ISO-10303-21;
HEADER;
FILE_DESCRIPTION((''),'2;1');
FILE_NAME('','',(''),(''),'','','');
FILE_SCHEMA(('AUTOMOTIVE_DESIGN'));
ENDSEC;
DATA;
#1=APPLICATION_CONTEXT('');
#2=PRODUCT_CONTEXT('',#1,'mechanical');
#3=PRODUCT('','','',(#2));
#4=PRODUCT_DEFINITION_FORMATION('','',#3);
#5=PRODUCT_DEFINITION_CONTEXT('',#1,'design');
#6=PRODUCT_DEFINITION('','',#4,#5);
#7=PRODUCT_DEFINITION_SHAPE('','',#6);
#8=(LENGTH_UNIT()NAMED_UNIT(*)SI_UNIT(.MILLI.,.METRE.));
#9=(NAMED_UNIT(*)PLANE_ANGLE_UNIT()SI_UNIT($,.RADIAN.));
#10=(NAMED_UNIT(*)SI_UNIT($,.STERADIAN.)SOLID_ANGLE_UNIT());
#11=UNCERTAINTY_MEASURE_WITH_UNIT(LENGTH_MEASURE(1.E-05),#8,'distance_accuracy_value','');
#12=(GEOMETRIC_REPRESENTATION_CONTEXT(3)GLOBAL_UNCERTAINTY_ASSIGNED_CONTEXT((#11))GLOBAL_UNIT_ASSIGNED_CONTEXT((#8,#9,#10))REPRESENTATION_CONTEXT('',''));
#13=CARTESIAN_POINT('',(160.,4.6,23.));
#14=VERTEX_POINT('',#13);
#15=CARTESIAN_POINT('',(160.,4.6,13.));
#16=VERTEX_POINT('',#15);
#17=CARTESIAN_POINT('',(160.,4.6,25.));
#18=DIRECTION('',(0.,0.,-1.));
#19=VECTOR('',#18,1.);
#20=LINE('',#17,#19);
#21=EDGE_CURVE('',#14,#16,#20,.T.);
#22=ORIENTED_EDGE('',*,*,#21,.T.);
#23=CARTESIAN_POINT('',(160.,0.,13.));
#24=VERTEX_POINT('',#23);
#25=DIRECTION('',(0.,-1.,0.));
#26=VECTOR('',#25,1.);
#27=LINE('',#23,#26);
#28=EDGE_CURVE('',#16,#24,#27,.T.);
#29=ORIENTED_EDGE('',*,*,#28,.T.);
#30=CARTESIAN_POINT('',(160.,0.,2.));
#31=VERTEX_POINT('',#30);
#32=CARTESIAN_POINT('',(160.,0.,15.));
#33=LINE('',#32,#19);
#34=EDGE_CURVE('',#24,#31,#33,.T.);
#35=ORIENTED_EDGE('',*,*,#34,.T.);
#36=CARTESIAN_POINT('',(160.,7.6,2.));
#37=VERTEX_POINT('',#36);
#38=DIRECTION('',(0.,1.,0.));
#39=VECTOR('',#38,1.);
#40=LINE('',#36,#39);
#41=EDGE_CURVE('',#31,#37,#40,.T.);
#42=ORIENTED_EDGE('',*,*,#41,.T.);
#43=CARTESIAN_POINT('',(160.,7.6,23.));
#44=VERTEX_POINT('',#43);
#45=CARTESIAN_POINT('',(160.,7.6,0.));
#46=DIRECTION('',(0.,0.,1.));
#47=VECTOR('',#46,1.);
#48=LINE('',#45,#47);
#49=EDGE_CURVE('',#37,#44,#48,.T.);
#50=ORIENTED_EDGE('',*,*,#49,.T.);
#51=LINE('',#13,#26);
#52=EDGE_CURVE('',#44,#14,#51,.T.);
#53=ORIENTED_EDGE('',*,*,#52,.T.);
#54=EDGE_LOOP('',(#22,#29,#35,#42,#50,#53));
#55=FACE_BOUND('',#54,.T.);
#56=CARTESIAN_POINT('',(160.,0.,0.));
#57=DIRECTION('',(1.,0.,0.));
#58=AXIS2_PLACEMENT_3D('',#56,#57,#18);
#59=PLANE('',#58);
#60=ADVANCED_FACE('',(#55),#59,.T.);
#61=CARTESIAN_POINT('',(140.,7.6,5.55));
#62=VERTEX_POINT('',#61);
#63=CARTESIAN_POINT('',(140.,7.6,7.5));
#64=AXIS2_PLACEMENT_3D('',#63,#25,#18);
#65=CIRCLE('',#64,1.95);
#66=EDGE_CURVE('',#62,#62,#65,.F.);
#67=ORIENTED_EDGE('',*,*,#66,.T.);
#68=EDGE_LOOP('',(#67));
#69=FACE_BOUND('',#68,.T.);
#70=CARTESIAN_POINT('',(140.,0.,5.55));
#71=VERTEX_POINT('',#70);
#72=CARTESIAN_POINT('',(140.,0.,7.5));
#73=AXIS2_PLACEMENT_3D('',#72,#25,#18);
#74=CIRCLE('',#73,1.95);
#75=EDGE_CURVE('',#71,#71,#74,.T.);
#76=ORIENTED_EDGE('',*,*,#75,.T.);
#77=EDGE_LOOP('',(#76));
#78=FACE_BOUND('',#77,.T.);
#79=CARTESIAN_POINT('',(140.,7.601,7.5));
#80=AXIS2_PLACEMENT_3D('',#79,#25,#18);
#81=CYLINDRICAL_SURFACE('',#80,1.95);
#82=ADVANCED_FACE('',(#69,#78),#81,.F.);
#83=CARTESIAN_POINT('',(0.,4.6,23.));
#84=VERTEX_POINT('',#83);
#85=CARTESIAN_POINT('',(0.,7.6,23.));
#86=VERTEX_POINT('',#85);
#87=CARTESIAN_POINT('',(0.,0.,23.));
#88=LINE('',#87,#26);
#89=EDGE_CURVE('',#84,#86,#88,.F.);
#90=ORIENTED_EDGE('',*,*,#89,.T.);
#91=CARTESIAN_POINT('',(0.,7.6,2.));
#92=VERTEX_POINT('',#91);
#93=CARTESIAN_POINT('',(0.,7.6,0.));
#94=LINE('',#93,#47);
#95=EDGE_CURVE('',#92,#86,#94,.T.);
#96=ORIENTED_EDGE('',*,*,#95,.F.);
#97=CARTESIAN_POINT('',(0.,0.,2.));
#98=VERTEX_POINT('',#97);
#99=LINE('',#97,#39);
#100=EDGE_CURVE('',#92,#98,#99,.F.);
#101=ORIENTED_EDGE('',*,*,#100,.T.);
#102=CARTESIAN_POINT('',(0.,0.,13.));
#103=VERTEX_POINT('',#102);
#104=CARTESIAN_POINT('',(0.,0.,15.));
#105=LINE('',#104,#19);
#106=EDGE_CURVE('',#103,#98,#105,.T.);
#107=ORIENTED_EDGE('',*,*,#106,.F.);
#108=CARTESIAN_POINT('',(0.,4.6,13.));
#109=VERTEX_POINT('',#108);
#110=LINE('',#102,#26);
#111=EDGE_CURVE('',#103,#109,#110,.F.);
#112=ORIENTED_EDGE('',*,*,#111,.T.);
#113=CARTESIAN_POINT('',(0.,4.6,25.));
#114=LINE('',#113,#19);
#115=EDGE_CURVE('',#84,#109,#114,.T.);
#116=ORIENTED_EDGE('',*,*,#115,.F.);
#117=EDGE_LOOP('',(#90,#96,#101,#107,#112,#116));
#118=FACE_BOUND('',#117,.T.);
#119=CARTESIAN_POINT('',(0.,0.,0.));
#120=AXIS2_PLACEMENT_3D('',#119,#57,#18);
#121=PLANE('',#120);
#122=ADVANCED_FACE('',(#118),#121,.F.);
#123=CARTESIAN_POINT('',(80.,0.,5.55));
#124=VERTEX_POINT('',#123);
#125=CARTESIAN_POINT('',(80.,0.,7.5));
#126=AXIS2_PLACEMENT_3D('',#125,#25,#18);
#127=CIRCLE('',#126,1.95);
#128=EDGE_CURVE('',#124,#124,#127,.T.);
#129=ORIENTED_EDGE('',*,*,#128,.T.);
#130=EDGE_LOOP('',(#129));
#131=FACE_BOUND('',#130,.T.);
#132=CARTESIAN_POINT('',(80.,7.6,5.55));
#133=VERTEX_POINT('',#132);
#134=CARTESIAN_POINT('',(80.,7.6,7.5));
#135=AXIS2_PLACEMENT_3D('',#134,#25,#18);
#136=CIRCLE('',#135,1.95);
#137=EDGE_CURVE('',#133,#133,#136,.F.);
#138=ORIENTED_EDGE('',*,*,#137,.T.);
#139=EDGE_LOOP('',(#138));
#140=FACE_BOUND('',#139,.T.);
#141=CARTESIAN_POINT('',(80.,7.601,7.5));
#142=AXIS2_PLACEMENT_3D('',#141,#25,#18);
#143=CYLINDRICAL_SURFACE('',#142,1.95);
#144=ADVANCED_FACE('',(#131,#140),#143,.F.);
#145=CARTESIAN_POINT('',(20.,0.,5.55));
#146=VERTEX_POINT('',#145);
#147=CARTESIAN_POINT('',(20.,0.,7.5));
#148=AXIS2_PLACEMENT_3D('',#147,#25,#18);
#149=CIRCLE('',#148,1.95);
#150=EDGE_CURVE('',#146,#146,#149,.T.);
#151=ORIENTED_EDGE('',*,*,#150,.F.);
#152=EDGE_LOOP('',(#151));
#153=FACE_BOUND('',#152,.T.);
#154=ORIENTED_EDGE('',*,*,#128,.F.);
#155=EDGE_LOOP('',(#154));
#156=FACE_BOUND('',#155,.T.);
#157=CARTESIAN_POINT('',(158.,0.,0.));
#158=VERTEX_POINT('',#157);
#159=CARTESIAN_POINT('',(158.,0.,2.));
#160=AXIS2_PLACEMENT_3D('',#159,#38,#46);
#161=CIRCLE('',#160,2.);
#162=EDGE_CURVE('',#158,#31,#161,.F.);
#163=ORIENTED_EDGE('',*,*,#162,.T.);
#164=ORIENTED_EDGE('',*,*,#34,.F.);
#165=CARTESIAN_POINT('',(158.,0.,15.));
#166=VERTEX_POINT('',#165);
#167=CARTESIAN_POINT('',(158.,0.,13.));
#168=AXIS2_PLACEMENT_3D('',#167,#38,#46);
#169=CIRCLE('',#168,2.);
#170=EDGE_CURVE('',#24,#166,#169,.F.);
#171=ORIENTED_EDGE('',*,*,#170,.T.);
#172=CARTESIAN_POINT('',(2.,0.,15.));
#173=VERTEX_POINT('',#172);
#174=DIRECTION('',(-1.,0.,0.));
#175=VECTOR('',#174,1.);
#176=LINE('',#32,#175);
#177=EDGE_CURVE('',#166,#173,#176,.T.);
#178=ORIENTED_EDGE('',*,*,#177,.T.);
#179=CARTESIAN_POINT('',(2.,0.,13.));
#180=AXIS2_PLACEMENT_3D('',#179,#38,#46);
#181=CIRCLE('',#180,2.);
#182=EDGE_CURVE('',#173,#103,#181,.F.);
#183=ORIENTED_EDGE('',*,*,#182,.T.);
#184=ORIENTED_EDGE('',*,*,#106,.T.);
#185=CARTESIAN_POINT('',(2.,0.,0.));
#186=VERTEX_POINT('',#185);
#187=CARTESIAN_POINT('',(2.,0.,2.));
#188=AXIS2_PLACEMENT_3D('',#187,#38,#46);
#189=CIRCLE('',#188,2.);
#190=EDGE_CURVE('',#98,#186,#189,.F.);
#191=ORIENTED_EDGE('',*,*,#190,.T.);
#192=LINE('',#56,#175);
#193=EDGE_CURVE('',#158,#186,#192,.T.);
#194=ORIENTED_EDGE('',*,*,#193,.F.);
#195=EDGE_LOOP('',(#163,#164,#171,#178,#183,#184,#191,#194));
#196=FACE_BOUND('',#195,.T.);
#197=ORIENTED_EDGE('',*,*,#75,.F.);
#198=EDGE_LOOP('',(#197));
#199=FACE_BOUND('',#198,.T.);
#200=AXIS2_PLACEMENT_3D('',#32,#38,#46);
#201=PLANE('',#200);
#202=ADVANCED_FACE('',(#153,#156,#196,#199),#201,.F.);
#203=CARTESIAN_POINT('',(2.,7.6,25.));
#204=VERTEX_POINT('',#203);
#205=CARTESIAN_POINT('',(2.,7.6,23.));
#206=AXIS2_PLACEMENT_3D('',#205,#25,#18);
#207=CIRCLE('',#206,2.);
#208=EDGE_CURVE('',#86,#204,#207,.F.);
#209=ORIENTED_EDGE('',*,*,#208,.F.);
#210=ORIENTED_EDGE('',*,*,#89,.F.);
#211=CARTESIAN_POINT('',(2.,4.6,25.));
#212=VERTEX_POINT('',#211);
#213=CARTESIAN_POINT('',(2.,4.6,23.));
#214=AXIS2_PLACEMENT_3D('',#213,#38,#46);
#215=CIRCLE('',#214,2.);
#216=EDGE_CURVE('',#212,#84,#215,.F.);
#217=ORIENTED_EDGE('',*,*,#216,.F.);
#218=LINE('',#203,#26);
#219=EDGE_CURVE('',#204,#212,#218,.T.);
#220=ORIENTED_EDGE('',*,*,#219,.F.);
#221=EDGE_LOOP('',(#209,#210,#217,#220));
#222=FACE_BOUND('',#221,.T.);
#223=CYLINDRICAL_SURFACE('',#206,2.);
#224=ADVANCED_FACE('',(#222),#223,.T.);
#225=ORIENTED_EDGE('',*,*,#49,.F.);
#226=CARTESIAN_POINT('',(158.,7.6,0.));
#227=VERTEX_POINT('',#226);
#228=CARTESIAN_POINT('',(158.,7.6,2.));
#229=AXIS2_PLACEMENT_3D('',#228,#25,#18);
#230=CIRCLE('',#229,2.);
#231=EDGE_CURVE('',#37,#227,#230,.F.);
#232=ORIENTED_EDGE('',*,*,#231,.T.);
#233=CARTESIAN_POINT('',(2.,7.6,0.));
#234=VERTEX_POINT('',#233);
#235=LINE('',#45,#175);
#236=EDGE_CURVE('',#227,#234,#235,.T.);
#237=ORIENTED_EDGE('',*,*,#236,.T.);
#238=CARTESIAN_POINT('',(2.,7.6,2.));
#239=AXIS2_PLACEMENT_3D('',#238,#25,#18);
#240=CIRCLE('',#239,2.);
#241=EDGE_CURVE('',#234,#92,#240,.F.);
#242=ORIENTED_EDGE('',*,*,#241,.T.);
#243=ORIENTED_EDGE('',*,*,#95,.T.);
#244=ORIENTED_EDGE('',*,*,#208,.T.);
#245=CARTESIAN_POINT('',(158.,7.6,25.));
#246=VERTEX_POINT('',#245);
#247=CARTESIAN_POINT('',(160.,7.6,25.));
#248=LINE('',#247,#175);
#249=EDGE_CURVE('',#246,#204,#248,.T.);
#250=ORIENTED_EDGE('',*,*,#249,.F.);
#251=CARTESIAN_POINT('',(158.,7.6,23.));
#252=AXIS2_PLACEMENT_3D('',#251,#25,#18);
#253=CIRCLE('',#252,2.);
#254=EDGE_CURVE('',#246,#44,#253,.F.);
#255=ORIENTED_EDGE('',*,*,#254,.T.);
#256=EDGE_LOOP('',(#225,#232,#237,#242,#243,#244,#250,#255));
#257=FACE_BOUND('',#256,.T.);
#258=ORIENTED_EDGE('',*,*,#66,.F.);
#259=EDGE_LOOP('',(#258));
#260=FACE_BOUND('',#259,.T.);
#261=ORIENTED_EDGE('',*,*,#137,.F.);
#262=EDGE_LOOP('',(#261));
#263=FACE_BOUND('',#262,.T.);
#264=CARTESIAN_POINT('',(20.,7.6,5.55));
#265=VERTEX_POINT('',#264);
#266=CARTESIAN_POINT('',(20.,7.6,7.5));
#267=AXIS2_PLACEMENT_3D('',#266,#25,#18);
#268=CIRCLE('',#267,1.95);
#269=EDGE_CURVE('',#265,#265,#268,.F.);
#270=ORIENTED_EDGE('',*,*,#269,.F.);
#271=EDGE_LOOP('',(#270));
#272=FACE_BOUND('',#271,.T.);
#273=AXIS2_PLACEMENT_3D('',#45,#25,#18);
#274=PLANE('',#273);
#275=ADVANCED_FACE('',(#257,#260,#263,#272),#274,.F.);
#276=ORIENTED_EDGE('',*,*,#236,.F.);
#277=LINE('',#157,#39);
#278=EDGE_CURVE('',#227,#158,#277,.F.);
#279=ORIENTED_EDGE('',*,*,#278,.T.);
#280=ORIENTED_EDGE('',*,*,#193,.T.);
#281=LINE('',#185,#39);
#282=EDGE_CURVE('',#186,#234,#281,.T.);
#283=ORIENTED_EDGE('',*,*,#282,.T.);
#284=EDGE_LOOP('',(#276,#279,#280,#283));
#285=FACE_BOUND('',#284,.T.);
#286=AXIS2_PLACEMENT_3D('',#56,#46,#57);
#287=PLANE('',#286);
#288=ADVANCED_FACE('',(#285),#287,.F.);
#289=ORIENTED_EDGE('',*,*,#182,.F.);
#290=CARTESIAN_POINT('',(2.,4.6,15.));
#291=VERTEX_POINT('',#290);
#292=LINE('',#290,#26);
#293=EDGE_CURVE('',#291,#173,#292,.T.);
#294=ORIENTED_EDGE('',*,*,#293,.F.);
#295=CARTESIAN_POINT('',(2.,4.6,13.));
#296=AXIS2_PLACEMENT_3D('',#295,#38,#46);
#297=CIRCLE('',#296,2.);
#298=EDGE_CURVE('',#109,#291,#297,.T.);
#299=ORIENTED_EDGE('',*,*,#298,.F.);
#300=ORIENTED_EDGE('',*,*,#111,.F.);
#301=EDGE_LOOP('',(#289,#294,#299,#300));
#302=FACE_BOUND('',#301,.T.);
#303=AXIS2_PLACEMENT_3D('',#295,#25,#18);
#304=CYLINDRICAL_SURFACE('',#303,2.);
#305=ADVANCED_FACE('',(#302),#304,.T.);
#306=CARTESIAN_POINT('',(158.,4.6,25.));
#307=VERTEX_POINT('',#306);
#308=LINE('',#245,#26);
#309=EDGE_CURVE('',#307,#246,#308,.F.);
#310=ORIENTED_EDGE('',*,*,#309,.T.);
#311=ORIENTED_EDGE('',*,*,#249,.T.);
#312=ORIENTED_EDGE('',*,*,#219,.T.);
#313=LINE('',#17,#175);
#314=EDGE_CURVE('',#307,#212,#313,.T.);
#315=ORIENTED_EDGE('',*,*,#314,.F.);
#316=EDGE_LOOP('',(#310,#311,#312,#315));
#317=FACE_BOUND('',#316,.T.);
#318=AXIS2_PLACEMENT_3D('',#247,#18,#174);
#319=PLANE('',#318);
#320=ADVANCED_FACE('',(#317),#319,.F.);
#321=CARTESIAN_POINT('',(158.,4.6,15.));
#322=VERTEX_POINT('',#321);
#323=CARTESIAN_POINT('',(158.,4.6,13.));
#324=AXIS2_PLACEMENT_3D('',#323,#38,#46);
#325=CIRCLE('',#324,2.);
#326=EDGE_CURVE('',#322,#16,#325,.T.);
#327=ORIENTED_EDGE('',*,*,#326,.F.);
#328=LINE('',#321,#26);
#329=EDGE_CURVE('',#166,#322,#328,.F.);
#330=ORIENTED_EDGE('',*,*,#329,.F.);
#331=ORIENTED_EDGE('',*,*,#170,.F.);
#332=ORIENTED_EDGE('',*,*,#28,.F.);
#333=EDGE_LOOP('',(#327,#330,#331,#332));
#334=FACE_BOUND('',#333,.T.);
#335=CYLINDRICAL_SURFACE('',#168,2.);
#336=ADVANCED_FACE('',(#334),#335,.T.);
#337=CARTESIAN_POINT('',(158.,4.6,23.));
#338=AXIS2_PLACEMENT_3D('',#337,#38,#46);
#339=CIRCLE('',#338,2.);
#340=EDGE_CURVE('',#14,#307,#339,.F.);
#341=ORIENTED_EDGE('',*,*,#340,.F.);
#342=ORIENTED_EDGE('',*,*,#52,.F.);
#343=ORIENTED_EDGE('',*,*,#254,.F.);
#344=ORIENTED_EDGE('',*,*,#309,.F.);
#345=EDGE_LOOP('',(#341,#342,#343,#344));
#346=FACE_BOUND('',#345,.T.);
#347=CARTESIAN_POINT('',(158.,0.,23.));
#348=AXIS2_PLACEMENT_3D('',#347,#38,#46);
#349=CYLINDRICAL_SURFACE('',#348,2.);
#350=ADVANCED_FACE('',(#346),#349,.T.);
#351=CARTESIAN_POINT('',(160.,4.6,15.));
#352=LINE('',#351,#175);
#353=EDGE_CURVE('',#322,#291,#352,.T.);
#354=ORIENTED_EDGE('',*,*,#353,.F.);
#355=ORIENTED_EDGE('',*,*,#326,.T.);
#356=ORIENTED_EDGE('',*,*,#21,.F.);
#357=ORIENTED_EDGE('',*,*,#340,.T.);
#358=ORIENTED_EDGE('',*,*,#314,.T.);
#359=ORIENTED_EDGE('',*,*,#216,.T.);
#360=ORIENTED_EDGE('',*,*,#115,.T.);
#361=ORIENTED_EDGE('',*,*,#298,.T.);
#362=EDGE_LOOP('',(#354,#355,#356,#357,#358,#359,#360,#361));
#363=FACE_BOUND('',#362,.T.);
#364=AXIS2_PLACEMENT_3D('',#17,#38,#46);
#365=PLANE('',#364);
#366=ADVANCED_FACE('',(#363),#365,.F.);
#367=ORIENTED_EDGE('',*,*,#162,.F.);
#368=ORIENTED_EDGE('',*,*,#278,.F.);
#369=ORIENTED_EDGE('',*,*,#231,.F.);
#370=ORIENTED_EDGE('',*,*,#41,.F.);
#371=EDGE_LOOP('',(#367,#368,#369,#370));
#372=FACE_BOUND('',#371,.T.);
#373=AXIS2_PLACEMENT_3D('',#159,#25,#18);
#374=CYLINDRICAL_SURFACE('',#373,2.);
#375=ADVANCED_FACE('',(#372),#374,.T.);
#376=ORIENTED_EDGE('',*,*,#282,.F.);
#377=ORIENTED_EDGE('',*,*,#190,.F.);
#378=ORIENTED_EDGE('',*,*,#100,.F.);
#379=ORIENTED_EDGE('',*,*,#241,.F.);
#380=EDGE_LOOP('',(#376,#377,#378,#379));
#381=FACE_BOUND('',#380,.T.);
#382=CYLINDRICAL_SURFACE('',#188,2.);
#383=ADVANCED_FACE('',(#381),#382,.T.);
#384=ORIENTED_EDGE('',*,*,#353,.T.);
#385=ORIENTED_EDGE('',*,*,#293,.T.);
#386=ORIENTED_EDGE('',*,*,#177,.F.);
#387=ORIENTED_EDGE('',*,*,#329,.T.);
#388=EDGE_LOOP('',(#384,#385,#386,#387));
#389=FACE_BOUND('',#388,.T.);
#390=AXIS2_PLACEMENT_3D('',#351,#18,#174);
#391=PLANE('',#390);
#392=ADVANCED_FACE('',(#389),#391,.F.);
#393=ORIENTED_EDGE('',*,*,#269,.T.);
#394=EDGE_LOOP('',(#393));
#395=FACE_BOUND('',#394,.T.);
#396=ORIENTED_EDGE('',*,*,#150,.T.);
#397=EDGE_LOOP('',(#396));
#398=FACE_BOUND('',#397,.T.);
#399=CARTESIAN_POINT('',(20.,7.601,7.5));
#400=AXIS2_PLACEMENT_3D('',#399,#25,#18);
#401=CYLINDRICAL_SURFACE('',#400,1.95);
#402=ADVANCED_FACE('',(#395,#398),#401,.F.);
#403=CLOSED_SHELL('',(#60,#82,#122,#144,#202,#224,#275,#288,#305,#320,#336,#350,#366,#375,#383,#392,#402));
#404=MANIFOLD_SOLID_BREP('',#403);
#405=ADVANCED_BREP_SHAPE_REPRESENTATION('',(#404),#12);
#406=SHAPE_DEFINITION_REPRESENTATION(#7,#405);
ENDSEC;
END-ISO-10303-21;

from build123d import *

# Parameters (mm, degrees)
EXTRUDE_1_DEPTH     = 160
CUT_EXTRUDE_1_REACH = 164.12
SKETCH_2_R          = 1.95
FILLET_1_R          = 2


with BuildPart() as part:
    # 草图1 → 凸台-拉伸1 (new body)
    with BuildSketch(Plane(origin=(0, 0, 0), x_dir=(0, 0, -1), z_dir=(1, 0, 0))):
        Polygon((0, 0), (0, 7.6), (-25, 7.6), (-25, 4.6), (-15, 4.6), (-15, 0), align=None)
    extrude(amount=EXTRUDE_1_DEPTH)

    # 草图2 → 切除-拉伸1 (cut, up to next)
    with BuildSketch(Plane.XZ, mode=Mode.PRIVATE) as cut_extrude_1_sk1:
        with Locations(Location((20, 7.5, 0), (0, 0, 270))):
            Circle(SKETCH_2_R)
    cut_extrude_1_tool1 = extrude(cut_extrude_1_sk1.sketch, amount=-CUT_EXTRUDE_1_REACH, mode=Mode.PRIVATE) & part.part
    # 草图2 → 切除-拉伸1 (cut, up to next)
    with BuildSketch(Plane.XZ, mode=Mode.PRIVATE) as cut_extrude_1_sk2:
        with Locations(Location((140, 7.5, 0), (0, 0, 270))):
            Circle(SKETCH_2_R)
    cut_extrude_1_tool2 = extrude(cut_extrude_1_sk2.sketch, amount=-CUT_EXTRUDE_1_REACH, mode=Mode.PRIVATE) & part.part
    # 草图2 → 切除-拉伸1 (cut, up to next)
    with BuildSketch(Plane.XZ, mode=Mode.PRIVATE) as cut_extrude_1_sk3:
        with Locations(Location((80, 7.5, 0), (0, 0, 270))):
            Circle(SKETCH_2_R)
    cut_extrude_1_tool3 = extrude(cut_extrude_1_sk3.sketch, amount=-CUT_EXTRUDE_1_REACH, mode=Mode.PRIVATE) & part.part
    add(cut_extrude_1_tool1.solids().sort_by_distance((20, 0, 7.5))[0], mode=Mode.SUBTRACT)
    add(cut_extrude_1_tool2.solids().sort_by_distance((140, 0, 7.5))[0], mode=Mode.SUBTRACT)
    add(cut_extrude_1_tool3.solids().sort_by_distance((80, 0, 7.5))[0], mode=Mode.SUBTRACT)

    # 圆角1
    fillet_1_edges = [part.edges().sort_by_distance(p)[0] for p in [
        (160, 6.1, 25),
        (160, 2.3, 15),
        (0, 2.3, 15),
        (0, 6.1, 25),
        (0, 3.8, 0),
        (160, 3.8, 0),
    ]]
    fillet(fillet_1_edges, radius=FILLET_1_R)


solid = part.part
